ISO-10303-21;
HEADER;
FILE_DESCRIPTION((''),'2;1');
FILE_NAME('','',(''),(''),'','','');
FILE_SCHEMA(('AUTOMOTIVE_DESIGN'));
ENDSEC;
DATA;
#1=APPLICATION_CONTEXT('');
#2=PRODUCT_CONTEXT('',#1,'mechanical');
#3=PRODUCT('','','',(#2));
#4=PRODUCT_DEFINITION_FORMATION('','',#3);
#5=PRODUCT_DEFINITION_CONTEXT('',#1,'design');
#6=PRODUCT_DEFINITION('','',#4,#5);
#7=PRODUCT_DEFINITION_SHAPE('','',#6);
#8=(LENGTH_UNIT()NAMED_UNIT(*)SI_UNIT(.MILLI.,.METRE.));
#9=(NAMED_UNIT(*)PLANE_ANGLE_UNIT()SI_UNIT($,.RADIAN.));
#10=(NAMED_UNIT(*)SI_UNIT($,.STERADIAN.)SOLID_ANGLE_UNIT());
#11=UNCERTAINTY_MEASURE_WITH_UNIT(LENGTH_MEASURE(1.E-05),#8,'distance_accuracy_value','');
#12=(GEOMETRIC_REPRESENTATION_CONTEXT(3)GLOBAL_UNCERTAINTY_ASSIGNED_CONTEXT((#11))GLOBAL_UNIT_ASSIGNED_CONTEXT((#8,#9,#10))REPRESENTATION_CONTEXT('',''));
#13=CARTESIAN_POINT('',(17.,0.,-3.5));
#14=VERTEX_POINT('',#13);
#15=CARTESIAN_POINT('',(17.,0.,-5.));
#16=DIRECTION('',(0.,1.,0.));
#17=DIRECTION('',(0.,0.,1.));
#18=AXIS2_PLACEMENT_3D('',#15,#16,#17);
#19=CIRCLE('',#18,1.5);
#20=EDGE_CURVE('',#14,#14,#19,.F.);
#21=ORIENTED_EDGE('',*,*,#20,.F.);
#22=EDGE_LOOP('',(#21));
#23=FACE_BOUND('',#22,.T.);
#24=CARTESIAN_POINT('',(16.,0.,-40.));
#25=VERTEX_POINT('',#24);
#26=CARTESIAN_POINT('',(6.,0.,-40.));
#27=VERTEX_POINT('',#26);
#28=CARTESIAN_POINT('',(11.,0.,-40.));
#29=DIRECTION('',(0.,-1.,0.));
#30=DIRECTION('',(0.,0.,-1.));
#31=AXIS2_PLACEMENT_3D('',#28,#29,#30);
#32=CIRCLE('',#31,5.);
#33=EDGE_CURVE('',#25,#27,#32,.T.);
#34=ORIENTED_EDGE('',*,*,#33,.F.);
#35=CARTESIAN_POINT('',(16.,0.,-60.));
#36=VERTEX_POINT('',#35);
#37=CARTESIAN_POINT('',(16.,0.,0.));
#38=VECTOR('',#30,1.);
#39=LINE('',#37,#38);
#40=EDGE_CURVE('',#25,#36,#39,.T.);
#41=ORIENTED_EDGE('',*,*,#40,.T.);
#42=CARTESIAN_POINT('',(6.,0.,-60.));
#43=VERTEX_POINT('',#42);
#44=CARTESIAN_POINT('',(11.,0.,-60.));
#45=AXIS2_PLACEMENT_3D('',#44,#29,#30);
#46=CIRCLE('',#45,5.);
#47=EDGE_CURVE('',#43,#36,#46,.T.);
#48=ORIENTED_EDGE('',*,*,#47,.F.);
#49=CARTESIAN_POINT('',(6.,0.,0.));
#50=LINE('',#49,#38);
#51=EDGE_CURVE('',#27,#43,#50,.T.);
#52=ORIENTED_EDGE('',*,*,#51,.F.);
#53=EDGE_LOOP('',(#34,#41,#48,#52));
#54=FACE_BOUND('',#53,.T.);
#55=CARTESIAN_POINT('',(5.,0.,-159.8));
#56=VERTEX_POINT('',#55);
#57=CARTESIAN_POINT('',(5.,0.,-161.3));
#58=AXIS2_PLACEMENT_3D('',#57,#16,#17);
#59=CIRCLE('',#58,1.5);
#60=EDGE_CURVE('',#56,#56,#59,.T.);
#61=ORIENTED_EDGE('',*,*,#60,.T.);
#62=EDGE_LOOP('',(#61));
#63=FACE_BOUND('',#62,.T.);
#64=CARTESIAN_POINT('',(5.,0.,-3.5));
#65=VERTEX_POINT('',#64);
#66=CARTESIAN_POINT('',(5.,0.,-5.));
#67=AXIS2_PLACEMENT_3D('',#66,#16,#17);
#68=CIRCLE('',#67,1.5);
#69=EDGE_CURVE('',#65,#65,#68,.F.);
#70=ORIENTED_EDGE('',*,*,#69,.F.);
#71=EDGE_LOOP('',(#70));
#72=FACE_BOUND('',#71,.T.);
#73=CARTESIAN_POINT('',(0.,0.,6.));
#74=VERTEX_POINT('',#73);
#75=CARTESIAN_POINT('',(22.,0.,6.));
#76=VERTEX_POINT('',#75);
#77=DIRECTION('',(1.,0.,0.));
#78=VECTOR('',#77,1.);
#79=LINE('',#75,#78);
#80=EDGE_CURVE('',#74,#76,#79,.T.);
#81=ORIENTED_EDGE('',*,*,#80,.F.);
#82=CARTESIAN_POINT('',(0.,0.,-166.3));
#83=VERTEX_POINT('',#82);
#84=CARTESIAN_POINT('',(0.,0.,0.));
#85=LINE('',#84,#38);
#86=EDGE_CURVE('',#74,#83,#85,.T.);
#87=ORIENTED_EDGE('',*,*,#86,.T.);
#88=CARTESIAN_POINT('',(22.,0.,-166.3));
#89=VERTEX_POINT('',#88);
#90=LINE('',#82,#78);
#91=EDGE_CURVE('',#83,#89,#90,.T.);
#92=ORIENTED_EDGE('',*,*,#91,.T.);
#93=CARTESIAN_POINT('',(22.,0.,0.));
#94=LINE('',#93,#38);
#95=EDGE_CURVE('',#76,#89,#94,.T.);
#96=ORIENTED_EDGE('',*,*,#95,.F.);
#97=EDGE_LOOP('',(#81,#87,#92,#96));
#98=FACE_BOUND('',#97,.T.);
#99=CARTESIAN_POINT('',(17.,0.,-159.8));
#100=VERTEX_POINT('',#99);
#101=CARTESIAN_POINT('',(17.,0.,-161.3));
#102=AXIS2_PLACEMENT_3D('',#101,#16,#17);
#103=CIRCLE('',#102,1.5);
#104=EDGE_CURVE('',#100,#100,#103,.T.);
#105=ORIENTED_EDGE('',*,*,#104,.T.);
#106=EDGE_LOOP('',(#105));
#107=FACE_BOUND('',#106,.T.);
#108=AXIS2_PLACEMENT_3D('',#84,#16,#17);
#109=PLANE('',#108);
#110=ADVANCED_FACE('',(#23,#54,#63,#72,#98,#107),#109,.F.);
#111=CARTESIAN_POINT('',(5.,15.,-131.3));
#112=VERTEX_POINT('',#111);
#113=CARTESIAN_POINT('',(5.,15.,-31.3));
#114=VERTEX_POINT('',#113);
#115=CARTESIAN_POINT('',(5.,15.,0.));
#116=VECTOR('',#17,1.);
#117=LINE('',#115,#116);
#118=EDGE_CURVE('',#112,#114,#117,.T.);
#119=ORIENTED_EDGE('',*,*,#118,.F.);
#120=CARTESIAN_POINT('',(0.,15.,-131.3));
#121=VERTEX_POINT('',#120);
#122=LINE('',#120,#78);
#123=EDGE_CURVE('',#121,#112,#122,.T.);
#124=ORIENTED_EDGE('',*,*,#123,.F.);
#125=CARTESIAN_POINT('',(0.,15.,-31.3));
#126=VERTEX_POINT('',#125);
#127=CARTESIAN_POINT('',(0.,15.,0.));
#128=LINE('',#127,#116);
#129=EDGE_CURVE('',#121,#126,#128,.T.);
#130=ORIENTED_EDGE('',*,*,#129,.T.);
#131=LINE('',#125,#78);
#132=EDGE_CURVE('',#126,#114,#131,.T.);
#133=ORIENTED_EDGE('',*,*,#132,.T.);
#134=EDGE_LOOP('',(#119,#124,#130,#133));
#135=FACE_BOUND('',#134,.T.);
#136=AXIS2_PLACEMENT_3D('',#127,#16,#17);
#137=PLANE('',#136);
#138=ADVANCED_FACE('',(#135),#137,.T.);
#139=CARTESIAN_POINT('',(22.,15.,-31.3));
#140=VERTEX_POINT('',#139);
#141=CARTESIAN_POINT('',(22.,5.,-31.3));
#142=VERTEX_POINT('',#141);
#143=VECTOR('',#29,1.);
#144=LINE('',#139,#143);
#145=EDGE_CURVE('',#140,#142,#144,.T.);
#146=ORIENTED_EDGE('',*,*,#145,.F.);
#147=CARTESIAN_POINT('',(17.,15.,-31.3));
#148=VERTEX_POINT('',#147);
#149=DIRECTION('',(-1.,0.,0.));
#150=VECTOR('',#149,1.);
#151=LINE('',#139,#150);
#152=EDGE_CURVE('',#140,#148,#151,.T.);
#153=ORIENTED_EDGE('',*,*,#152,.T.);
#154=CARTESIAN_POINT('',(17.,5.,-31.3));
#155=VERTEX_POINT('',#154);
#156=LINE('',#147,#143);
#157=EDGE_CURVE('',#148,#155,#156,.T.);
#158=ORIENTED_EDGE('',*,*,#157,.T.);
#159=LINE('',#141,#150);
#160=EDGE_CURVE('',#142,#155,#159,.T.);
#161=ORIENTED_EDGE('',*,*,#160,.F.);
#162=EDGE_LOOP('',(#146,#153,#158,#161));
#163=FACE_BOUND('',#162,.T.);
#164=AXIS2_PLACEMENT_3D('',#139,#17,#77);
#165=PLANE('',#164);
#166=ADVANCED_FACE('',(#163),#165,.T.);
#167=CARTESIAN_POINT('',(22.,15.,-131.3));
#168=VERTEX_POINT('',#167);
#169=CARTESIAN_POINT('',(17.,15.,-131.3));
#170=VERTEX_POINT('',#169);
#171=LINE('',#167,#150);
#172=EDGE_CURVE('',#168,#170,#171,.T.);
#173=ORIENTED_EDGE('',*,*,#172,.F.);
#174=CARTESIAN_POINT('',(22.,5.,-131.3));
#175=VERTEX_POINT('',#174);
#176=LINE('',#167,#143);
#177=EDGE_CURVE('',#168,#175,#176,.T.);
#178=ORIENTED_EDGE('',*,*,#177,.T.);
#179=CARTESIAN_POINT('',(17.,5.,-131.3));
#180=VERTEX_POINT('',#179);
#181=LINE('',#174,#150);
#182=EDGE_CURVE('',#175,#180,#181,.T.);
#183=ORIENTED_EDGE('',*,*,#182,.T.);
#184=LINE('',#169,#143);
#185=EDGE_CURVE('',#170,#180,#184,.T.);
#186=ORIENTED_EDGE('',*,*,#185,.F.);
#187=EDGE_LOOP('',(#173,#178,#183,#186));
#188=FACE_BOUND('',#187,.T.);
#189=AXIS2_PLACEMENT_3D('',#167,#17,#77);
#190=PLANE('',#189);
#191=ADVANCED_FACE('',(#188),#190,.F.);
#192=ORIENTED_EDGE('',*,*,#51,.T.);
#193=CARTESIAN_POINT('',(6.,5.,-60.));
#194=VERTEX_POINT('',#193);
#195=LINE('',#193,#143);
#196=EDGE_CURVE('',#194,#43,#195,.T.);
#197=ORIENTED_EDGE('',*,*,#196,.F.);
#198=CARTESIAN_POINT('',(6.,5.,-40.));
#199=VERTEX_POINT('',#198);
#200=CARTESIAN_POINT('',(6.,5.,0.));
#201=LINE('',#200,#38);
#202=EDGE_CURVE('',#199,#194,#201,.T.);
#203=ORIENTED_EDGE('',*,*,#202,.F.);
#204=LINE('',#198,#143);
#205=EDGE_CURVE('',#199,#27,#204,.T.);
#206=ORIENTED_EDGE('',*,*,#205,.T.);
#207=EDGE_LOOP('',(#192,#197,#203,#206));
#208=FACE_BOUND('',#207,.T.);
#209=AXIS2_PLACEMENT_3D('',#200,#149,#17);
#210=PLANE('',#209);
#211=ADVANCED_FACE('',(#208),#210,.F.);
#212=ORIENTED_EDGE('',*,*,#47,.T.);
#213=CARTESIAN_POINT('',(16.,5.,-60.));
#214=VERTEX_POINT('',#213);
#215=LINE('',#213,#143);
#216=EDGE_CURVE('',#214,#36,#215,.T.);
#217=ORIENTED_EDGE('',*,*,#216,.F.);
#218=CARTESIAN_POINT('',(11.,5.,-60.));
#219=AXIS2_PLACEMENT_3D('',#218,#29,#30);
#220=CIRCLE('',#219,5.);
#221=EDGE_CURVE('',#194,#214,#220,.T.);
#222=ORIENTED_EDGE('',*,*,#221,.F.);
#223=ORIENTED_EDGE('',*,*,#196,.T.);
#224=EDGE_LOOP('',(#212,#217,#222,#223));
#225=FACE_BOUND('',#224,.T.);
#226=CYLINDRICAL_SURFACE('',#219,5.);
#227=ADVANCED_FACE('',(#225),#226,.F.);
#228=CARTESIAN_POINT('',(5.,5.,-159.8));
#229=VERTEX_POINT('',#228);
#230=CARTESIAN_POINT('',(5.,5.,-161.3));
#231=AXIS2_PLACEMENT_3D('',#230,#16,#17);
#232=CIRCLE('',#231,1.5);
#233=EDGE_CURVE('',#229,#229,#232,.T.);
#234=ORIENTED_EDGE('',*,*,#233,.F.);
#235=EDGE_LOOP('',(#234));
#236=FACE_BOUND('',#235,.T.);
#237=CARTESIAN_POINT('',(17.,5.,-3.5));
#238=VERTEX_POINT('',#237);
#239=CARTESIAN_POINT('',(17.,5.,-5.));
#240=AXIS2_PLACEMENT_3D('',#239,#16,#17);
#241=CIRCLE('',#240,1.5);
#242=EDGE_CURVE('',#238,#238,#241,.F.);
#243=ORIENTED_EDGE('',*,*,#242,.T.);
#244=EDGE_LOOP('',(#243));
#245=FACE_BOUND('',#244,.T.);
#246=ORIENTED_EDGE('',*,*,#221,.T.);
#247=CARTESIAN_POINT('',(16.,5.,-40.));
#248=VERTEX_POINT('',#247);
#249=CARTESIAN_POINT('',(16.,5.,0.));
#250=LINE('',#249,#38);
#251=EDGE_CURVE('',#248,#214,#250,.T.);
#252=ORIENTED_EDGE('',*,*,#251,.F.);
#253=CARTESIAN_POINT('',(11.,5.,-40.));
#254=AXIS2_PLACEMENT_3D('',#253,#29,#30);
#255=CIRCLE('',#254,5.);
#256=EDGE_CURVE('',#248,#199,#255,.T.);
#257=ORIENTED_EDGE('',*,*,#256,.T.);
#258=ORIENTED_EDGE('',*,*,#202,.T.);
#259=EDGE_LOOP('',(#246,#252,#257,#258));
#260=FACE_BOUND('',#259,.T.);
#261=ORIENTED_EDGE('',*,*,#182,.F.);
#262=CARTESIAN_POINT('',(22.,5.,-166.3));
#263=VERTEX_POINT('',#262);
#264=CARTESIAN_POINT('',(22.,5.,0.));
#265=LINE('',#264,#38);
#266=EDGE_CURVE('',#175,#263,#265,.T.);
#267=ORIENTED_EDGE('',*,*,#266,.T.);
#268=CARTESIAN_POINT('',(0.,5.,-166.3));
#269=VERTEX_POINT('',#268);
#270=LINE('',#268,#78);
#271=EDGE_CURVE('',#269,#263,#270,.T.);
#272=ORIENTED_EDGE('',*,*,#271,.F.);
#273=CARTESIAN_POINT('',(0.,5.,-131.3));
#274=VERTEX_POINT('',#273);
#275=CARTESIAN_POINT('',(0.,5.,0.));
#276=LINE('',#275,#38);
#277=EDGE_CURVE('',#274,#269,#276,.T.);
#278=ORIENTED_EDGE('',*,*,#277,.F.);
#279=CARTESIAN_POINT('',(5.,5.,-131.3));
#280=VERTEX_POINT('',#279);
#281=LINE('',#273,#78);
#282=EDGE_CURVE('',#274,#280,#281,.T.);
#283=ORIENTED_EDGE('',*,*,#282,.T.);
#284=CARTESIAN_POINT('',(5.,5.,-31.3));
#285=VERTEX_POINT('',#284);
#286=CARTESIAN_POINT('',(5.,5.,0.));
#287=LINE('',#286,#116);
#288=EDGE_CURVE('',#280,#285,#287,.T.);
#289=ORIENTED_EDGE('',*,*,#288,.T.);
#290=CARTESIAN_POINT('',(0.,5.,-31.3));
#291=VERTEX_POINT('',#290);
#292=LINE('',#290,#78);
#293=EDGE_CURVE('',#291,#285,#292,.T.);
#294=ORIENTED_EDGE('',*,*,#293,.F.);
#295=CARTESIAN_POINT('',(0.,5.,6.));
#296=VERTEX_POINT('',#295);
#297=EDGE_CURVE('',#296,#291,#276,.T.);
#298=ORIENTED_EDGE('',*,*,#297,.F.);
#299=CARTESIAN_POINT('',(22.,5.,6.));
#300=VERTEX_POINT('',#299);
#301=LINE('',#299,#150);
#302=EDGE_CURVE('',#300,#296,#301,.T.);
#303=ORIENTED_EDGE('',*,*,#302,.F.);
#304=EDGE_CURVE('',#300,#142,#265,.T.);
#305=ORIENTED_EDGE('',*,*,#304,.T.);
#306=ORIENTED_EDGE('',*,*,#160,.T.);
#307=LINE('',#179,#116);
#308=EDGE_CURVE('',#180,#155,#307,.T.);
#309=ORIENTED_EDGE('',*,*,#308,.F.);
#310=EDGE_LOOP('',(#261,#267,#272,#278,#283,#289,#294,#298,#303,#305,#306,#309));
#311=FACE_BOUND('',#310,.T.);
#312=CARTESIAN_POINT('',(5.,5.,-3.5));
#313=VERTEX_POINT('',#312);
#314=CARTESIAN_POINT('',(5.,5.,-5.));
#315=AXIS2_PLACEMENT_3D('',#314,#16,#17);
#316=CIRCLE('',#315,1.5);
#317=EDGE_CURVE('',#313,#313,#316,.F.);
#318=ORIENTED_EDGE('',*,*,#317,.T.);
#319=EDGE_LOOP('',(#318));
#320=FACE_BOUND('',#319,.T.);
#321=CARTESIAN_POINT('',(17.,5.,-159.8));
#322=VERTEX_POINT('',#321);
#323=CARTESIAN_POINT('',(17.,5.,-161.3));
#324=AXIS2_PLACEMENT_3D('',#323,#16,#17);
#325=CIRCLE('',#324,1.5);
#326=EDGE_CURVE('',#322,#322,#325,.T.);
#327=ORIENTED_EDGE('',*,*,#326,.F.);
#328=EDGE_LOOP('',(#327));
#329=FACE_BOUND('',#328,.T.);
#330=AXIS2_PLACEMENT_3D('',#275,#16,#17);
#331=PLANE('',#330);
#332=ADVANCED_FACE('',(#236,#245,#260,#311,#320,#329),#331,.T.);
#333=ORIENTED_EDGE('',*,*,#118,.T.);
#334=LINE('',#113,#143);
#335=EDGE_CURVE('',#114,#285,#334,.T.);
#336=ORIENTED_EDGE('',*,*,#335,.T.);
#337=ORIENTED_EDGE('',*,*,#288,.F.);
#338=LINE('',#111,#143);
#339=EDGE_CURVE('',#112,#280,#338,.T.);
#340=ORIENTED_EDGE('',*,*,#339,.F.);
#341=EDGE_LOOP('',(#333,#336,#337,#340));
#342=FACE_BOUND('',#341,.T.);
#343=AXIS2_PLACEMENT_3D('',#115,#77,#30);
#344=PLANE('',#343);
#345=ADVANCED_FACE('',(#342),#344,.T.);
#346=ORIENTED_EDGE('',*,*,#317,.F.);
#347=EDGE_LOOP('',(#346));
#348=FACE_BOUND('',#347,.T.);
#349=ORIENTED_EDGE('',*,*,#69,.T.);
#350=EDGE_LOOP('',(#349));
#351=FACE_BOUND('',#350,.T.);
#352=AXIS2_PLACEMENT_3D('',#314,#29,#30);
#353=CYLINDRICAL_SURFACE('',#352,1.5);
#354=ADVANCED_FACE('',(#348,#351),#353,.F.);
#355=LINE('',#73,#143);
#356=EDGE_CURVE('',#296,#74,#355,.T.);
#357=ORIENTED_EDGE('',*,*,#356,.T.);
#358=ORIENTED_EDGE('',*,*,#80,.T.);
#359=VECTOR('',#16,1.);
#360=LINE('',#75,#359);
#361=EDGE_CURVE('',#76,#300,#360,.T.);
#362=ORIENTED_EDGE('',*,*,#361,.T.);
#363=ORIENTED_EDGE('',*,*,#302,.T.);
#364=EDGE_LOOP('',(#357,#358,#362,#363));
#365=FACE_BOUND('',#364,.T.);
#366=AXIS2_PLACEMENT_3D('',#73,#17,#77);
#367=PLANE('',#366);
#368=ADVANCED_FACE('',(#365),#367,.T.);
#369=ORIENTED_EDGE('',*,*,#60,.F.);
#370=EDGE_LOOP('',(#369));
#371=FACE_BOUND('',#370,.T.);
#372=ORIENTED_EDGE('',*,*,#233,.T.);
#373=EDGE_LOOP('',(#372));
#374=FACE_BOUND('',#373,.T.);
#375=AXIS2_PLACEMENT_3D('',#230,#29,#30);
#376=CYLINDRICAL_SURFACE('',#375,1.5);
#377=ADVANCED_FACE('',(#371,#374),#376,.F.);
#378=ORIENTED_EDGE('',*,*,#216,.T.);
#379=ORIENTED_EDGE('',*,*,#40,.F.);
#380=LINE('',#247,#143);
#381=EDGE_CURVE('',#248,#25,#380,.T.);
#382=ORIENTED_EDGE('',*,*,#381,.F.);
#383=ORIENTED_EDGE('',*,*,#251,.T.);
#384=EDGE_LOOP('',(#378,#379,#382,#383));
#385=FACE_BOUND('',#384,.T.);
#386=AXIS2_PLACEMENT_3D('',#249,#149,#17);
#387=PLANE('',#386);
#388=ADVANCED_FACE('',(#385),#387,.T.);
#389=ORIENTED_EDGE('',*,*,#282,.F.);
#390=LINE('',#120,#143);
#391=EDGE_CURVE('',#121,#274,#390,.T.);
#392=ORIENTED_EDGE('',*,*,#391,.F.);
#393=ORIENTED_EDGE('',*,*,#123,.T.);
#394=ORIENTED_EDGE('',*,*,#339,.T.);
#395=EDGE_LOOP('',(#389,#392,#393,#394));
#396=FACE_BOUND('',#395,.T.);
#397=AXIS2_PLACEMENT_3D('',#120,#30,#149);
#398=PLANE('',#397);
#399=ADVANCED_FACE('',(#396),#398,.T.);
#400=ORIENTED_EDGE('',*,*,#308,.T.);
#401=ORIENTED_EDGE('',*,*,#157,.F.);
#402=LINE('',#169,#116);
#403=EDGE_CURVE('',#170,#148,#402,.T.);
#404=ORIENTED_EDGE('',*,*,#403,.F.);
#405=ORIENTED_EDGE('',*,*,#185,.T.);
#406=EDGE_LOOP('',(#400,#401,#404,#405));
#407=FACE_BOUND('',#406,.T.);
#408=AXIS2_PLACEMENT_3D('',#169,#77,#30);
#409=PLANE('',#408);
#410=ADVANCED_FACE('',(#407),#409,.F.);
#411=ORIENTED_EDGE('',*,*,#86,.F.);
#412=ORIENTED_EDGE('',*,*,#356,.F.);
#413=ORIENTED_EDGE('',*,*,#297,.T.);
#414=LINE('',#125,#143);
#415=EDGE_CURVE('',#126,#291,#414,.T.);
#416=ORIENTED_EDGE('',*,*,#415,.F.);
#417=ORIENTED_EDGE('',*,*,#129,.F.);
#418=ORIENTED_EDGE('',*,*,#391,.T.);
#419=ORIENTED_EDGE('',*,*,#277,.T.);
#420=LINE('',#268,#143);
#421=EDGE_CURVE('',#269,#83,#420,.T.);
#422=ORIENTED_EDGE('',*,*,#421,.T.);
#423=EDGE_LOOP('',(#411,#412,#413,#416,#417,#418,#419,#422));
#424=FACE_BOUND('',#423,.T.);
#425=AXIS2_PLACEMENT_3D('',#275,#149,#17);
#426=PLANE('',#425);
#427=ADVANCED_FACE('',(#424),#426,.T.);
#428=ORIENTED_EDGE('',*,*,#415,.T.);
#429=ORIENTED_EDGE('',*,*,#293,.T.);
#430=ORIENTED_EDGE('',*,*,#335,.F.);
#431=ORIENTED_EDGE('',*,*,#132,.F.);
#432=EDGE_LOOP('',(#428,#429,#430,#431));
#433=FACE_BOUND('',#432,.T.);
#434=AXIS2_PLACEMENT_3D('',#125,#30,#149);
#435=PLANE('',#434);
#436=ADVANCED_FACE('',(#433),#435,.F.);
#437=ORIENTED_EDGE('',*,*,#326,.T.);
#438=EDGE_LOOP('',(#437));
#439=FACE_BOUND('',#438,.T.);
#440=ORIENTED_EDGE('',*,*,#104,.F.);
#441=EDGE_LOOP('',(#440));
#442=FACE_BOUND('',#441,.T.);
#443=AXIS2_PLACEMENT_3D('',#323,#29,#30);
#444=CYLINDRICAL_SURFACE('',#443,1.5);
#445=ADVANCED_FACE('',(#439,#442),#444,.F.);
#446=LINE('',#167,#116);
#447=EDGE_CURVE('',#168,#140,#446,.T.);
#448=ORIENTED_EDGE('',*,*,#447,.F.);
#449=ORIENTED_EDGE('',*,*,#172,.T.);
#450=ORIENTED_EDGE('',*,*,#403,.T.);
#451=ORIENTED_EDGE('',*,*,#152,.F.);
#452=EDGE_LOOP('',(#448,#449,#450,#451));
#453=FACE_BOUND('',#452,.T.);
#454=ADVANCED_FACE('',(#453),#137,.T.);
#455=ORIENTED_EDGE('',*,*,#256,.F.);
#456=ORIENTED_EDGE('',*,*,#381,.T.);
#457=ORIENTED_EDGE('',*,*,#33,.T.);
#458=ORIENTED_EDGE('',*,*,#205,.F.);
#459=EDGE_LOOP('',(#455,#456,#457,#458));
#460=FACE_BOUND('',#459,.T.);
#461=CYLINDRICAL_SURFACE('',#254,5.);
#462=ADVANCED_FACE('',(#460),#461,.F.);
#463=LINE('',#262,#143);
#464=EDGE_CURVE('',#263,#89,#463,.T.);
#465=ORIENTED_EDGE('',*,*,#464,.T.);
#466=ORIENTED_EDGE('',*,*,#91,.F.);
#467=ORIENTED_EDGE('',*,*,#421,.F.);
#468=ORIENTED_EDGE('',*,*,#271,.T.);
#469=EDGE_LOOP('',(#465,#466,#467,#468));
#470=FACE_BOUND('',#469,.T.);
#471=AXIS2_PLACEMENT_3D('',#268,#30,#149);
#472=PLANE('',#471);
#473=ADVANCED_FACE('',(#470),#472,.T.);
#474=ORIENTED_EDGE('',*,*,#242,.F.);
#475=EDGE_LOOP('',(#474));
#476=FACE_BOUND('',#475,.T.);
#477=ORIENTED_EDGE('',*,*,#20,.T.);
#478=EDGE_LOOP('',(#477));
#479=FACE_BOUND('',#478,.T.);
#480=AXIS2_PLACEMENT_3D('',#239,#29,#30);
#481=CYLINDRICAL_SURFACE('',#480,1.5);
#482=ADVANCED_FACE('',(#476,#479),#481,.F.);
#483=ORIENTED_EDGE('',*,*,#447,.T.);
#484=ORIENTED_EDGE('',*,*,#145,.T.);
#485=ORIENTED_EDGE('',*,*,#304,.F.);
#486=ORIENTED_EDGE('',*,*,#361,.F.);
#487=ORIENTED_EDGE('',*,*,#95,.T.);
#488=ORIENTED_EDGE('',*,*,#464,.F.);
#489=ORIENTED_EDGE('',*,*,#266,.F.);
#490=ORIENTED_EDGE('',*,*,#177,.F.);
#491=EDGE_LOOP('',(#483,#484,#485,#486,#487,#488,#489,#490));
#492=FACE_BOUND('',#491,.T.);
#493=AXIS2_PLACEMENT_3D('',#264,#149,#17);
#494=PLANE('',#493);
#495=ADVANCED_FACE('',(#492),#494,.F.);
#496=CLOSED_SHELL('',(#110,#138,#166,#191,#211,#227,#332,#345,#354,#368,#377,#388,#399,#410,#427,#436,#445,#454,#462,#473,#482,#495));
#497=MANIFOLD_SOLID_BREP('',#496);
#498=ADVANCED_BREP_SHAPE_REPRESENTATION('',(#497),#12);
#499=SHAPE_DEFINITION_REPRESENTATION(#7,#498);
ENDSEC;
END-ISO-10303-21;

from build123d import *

# Parameters (mm, degrees)
SKETCH1_W           = 22
SKETCH1_H           = 166.3
SKETCH1_R           = 1.5
BOSS_EXTRUDE1_DEPTH = 5
CUT_EXTRUDE1_DEPTH  = 5
SKETCH3_W           = 22
SKETCH3_H           = 5
BOSS_EXTRUDE2_DEPTH = 6
SKETCH4_W           = 5
SKETCH4_H           = 100
BOSS_EXTRUDE3_DEPTH = 10


with BuildPart() as part:
    # Sketch1 → Boss-Extrude1 (new body)
    with BuildSketch(Plane(origin=(0, 0, 0), x_dir=(1, 0, 0), z_dir=(0, 1, 0))):
        with Locations((11, 83.15)):
            Rectangle(SKETCH1_W, SKETCH1_H)
        with Locations(Location((5, 161.3, 0), (0, 0, 270))):
            Circle(SKETCH1_R, mode=Mode.SUBTRACT)
        with Locations(Location((17, 161.3, 0), (0, 0, 270))):
            Circle(SKETCH1_R, mode=Mode.SUBTRACT)
        with Locations(Location((17, 5, 0), (0, 0, 270))):
            Circle(SKETCH1_R, mode=Mode.SUBTRACT)
        with Locations(Location((5, 5, 0), (0, 0, 270))):
            Circle(SKETCH1_R, mode=Mode.SUBTRACT)
    extrude(amount=BOSS_EXTRUDE1_DEPTH)

    # Sketch2 → Cut-Extrude1 (cut)
    with BuildSketch(Plane(origin=(0, 0, 0), x_dir=(-1, 0, 0), z_dir=(0, -1, 0))):
        with BuildLine():
            Line((-16, 40), (-16, 60))
            ThreePointArc((-16, 60), (-11, 65), (-6, 60))
            Line((-6, 60), (-6, 40))
            ThreePointArc((-6, 40), (-11, 35), (-16, 40))
        make_face()
    extrude(amount=-CUT_EXTRUDE1_DEPTH, mode=Mode.SUBTRACT)

    # Sketch3 → Boss-Extrude2 (add)
    with BuildSketch(Plane.XY):
        with Locations((11, 2.5)):
            Rectangle(SKETCH3_W, SKETCH3_H)
    extrude(amount=BOSS_EXTRUDE2_DEPTH)

    # Sketch4 → Boss-Extrude3 (add)
    with BuildSketch(Plane(origin=(0, 5, 0), x_dir=(1, 0, 0), z_dir=(0, 1, 0))):
        with Locations((2.5, 81.3)):
            Rectangle(SKETCH4_W, SKETCH4_H)
        with Locations((19.5, 81.3)):
            Rectangle(SKETCH4_W, SKETCH4_H)
    extrude(amount=BOSS_EXTRUDE3_DEPTH)


solid = part.part
